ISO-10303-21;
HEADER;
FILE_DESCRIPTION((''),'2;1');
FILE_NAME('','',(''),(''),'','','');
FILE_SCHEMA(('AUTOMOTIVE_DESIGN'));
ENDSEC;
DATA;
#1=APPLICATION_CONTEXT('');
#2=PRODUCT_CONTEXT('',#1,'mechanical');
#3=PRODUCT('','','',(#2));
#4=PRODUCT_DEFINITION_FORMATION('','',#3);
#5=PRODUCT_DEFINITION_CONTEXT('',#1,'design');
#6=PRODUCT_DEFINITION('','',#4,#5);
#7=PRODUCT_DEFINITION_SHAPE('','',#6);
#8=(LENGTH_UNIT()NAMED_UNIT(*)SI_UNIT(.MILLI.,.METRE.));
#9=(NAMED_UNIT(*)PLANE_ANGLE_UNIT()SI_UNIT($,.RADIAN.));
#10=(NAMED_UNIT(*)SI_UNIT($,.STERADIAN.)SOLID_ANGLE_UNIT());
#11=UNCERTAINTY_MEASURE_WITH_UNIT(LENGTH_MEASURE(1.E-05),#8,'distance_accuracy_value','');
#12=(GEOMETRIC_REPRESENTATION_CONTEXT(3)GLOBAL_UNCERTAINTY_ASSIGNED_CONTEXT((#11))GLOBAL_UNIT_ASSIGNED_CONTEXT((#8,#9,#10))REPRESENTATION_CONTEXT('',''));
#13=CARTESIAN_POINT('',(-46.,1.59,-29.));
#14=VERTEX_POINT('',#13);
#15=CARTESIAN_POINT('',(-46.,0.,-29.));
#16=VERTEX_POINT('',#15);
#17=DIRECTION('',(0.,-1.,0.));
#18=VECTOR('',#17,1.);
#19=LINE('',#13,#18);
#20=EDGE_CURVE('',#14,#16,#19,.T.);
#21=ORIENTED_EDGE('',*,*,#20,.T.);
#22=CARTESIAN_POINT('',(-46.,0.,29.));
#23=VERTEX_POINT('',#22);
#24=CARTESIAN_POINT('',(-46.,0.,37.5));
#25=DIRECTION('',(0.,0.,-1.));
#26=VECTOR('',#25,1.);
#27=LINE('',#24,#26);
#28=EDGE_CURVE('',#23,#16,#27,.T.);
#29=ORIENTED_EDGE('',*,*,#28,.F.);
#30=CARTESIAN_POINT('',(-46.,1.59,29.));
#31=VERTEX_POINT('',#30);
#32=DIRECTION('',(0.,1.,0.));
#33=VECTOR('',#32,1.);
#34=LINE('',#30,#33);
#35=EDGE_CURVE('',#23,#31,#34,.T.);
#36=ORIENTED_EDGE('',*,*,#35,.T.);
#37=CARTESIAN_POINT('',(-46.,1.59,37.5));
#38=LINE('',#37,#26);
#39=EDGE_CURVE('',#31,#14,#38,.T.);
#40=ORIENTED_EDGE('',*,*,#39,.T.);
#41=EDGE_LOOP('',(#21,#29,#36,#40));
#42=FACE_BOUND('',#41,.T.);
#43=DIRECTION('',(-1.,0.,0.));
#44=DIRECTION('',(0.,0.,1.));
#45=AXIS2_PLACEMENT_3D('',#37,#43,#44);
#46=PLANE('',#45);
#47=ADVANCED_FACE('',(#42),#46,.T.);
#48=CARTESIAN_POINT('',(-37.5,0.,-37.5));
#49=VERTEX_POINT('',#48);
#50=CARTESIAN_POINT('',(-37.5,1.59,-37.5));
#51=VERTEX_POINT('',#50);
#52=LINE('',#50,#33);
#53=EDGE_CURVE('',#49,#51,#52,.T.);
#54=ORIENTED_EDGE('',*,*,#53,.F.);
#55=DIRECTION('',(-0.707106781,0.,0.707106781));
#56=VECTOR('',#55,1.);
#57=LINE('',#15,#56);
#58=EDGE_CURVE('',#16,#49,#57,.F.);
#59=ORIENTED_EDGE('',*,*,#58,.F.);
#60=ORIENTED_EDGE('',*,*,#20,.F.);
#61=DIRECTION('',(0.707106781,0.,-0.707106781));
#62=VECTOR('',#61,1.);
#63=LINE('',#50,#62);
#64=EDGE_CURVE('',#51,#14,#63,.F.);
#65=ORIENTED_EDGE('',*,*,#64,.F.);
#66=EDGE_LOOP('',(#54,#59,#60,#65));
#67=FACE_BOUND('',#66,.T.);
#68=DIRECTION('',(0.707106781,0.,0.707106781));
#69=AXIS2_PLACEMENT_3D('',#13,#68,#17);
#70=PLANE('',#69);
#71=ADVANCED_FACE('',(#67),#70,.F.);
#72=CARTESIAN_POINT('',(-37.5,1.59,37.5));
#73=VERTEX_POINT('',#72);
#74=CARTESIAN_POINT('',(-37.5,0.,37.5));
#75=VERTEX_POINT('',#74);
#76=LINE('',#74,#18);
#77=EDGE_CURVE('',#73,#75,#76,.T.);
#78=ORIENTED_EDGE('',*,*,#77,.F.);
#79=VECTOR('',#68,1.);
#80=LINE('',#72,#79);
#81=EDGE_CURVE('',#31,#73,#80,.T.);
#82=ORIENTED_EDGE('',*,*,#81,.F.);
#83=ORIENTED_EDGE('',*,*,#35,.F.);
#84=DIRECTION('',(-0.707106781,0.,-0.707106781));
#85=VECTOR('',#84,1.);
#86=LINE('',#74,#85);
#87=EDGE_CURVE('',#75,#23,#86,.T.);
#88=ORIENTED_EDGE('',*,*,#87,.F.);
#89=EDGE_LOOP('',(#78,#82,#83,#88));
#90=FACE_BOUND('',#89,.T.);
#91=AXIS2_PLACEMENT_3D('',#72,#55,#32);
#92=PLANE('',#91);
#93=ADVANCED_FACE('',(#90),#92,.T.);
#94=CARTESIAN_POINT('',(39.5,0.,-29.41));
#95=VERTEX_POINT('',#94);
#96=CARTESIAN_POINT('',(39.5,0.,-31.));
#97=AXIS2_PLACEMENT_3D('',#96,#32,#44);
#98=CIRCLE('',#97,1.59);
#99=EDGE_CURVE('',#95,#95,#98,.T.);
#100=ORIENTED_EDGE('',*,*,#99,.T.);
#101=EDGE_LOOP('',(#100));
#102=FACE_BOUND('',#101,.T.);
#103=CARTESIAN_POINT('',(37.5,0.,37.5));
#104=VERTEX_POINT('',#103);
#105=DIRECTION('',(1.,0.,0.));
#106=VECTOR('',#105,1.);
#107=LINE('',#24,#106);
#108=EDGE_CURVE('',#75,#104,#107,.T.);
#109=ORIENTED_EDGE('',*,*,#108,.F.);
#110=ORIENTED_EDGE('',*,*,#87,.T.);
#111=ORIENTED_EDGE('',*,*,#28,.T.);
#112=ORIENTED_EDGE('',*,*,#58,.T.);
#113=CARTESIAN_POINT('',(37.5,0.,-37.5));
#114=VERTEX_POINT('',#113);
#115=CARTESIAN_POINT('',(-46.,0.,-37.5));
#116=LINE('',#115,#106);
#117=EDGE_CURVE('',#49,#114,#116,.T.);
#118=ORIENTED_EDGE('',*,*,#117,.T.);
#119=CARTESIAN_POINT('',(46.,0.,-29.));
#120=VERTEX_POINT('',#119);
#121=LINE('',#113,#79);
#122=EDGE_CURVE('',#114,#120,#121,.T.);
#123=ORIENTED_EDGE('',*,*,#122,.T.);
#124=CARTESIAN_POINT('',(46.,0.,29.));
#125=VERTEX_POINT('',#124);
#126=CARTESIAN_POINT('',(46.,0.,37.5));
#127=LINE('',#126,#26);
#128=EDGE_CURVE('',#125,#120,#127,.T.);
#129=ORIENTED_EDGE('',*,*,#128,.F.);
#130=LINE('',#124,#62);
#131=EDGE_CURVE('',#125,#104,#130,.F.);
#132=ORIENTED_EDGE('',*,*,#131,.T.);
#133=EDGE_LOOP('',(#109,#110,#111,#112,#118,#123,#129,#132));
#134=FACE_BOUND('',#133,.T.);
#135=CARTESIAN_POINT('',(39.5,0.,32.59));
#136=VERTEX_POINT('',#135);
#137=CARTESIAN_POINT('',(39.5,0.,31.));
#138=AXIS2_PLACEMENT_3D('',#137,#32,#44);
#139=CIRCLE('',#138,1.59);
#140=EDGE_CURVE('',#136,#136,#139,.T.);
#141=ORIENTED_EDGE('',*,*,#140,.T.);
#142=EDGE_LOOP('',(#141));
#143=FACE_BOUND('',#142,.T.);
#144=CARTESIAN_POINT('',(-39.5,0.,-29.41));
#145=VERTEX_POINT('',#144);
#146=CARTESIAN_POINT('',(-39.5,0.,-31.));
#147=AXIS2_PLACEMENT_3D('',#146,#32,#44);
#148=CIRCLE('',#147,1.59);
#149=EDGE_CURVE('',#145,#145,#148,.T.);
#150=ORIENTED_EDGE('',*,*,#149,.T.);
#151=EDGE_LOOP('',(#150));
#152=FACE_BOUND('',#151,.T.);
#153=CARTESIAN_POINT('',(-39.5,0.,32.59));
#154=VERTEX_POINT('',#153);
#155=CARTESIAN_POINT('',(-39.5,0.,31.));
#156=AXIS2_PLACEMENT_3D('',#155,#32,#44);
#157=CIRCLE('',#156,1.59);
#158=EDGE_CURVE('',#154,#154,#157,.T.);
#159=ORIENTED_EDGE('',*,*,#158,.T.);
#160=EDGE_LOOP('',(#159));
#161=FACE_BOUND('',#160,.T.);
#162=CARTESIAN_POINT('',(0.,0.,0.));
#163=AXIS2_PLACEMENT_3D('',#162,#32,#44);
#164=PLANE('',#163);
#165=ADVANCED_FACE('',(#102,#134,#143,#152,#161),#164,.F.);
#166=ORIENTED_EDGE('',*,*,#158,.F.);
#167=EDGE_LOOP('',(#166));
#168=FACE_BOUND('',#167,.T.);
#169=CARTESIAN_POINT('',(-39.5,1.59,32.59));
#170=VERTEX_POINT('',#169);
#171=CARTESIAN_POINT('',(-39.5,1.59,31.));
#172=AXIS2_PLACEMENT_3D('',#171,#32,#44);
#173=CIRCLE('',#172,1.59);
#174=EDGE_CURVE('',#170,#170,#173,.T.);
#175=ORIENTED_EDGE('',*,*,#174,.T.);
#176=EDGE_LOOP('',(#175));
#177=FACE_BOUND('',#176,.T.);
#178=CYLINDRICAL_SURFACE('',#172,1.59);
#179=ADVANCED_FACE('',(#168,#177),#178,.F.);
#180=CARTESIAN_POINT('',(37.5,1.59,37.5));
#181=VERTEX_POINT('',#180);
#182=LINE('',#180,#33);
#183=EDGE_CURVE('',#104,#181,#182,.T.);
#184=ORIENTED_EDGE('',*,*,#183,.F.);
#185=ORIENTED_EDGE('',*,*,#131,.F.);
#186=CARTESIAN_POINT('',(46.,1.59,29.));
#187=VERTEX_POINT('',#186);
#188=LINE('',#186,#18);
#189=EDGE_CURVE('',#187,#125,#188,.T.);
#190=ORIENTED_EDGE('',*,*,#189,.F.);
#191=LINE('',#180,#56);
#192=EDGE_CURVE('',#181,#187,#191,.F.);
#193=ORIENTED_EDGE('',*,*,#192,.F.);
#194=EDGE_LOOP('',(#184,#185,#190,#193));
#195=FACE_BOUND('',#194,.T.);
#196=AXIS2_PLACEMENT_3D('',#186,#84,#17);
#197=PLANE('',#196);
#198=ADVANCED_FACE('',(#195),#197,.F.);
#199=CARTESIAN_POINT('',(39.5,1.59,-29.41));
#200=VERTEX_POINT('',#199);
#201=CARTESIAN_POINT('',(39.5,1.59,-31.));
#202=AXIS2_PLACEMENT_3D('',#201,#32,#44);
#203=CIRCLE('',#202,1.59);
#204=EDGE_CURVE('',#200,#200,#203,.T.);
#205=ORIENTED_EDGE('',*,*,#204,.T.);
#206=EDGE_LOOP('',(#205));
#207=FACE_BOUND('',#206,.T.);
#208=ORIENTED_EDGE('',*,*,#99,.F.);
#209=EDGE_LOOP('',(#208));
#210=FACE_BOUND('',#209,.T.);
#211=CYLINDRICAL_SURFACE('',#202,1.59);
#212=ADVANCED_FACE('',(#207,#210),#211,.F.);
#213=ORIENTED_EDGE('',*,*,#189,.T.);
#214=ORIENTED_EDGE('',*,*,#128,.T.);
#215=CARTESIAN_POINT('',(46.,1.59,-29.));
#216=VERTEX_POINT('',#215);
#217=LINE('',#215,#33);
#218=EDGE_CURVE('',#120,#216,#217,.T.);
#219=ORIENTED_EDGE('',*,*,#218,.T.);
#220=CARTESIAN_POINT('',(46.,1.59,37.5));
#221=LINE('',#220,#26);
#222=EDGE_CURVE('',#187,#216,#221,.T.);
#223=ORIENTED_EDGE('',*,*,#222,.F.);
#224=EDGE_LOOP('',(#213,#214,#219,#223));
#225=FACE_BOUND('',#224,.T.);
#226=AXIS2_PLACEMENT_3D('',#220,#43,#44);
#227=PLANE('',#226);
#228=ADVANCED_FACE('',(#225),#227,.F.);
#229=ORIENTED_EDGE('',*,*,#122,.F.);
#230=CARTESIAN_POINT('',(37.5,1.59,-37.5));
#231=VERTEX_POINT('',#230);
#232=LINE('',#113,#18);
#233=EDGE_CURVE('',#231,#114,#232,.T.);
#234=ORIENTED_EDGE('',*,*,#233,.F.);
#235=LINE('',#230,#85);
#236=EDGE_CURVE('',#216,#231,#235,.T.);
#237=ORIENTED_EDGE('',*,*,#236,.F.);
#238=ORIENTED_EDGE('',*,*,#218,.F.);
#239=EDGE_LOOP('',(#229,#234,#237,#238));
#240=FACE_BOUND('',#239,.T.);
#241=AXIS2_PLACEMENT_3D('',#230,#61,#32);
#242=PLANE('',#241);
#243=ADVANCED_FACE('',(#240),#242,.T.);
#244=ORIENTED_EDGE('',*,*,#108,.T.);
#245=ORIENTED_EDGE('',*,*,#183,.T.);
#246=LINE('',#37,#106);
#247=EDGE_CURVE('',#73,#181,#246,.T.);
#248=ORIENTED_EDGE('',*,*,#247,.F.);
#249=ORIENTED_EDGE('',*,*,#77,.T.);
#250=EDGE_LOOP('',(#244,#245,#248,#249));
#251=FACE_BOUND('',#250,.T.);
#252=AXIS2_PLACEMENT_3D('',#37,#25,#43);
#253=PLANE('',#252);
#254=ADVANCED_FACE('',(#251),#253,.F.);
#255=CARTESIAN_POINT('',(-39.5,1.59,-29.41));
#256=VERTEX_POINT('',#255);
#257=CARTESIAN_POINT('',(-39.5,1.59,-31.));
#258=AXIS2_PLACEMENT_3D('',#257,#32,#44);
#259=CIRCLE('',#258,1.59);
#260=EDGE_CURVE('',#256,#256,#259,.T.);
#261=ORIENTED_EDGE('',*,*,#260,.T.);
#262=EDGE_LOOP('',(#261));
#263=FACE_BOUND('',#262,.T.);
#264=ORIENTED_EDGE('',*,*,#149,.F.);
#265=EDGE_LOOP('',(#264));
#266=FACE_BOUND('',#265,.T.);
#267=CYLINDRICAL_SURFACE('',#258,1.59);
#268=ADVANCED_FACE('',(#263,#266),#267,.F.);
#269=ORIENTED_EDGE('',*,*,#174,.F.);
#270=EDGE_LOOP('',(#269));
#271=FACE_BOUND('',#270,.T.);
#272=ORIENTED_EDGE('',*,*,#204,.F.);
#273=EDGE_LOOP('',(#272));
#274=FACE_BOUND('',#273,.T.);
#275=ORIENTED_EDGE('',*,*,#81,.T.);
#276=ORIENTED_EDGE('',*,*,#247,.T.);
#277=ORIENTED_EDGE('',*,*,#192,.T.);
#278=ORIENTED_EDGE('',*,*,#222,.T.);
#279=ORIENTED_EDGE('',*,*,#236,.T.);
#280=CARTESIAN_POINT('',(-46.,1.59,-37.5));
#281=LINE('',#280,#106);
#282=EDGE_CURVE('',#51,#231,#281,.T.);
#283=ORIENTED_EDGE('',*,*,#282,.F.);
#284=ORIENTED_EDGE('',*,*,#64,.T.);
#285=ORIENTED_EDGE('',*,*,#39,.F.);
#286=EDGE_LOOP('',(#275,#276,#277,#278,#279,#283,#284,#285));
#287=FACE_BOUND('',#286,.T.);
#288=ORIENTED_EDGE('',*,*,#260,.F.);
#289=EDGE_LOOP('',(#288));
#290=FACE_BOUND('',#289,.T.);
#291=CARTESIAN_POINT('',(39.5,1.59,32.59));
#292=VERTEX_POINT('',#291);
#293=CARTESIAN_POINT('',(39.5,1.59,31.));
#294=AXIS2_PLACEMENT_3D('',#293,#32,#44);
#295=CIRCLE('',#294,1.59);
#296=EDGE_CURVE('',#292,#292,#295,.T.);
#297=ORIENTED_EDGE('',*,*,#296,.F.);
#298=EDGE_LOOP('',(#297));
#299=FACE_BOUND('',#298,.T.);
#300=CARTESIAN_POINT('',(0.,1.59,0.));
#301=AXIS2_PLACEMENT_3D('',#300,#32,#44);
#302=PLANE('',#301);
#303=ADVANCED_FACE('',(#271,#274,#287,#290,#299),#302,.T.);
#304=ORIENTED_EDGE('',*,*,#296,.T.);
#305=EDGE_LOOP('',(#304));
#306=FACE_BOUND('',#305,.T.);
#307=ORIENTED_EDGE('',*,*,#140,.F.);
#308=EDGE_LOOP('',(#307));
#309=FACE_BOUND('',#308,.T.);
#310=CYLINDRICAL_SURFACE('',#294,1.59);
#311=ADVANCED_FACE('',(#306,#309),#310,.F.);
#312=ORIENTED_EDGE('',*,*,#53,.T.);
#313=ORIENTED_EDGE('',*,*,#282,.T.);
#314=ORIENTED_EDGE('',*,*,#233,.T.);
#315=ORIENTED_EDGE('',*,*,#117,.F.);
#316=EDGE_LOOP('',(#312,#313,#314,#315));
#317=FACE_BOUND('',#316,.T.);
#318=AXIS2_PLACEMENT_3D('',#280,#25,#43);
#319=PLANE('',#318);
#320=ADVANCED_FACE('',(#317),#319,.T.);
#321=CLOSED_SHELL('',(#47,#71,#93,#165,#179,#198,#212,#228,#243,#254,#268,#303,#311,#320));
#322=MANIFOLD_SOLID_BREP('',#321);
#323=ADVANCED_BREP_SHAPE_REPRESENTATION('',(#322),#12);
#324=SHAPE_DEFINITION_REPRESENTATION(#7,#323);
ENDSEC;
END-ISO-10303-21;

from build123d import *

# Parameters (mm, degrees)
SKETCH1_W             = 92
SKETCH1_H             = 75
BOSS_EXTRUDE1_DEPTH   = 1.59
CHAMFER1_SIZE         = 8.5
F_1_0MM_DOWEL_HOLE1_D = 3.18


with BuildPart() as part:
    # Sketch1 → Boss-Extrude1 (new body)
    with BuildSketch(Plane(origin=(0, 0, 0), x_dir=(1, 0, 0), z_dir=(0, 1, 0))):
        Rectangle(SKETCH1_W, SKETCH1_H)
    extrude(amount=BOSS_EXTRUDE1_DEPTH)

    # Chamfer1
    chamfer1_edges = [part.edges().sort_by_distance(p)[0] for p in [
        (-46, 0.795, 37.5),
        (-46, 0.795, -37.5),
        (46, 0.795, -37.5),
        (46, 0.795, 37.5),
    ]]
    chamfer(chamfer1_edges, length=CHAMFER1_SIZE)

    # Ø1.0mm Dowel Hole1 (through all)
    with Locations(Plane(origin=(0, 1.59, 0), x_dir=(1, 0, 0), z_dir=(0, 1, 0))):
        with Locations((-39.5, 31), (39.5, 31), (39.5, -31), (-39.5, -31)):
            Hole(F_1_0MM_DOWEL_HOLE1_D / 2)


solid = part.part
